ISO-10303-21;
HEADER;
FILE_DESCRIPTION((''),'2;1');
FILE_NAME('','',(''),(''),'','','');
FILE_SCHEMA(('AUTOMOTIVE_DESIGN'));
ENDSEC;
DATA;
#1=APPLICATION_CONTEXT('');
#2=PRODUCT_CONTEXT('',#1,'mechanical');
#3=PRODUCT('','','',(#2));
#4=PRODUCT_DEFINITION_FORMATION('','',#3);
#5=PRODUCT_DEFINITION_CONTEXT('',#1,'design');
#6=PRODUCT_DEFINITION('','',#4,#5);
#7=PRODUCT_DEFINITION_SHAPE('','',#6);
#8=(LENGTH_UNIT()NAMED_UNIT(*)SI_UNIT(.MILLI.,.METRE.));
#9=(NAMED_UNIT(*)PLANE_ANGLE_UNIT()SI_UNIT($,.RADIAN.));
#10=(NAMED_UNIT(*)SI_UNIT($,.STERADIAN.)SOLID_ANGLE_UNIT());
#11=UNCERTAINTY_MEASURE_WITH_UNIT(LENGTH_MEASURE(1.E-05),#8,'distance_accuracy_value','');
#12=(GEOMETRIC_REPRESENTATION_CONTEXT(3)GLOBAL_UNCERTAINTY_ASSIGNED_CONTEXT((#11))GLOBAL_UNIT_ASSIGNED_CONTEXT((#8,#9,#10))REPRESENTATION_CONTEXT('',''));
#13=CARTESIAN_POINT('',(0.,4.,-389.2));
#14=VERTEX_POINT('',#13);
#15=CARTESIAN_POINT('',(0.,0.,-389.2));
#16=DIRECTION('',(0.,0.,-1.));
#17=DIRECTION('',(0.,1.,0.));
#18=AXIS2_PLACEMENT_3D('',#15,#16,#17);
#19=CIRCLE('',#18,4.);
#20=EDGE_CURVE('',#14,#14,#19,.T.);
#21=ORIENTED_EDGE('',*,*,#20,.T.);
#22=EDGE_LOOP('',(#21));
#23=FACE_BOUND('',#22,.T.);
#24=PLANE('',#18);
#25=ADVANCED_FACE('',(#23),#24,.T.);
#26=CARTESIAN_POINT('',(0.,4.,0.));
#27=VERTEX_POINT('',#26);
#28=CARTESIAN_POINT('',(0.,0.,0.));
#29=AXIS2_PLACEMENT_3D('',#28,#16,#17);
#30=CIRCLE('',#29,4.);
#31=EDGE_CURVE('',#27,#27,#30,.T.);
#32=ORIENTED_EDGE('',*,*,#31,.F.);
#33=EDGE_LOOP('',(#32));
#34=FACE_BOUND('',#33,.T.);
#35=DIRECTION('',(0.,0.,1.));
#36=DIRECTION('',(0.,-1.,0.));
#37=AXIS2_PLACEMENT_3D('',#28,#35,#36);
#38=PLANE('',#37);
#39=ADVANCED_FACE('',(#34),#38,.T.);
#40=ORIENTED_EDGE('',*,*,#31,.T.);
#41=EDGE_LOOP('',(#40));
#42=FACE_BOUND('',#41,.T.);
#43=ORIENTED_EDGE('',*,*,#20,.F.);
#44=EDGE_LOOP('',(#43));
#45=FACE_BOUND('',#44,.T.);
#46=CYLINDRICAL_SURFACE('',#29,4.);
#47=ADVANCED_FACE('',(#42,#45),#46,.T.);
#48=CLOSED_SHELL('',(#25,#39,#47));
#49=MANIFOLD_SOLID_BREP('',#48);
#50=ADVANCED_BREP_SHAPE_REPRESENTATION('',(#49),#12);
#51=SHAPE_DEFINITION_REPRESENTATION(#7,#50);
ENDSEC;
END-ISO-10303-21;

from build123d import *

# Parameters (mm, degrees)
SKETCH2_W = 389.2
SKETCH2_H = 4


with BuildPart() as part:
    # Sketch2 → Revolve1 (revolve)
    with BuildSketch(Plane(origin=(0, 0, 0), x_dir=(0, 0, -1), z_dir=(1, 0, 0))):
        with Locations((194.6, 2)):
            Rectangle(SKETCH2_W, SKETCH2_H)
    revolve(axis=Axis((0, 0, 0), (0, 0, 1)))


solid = part.part
